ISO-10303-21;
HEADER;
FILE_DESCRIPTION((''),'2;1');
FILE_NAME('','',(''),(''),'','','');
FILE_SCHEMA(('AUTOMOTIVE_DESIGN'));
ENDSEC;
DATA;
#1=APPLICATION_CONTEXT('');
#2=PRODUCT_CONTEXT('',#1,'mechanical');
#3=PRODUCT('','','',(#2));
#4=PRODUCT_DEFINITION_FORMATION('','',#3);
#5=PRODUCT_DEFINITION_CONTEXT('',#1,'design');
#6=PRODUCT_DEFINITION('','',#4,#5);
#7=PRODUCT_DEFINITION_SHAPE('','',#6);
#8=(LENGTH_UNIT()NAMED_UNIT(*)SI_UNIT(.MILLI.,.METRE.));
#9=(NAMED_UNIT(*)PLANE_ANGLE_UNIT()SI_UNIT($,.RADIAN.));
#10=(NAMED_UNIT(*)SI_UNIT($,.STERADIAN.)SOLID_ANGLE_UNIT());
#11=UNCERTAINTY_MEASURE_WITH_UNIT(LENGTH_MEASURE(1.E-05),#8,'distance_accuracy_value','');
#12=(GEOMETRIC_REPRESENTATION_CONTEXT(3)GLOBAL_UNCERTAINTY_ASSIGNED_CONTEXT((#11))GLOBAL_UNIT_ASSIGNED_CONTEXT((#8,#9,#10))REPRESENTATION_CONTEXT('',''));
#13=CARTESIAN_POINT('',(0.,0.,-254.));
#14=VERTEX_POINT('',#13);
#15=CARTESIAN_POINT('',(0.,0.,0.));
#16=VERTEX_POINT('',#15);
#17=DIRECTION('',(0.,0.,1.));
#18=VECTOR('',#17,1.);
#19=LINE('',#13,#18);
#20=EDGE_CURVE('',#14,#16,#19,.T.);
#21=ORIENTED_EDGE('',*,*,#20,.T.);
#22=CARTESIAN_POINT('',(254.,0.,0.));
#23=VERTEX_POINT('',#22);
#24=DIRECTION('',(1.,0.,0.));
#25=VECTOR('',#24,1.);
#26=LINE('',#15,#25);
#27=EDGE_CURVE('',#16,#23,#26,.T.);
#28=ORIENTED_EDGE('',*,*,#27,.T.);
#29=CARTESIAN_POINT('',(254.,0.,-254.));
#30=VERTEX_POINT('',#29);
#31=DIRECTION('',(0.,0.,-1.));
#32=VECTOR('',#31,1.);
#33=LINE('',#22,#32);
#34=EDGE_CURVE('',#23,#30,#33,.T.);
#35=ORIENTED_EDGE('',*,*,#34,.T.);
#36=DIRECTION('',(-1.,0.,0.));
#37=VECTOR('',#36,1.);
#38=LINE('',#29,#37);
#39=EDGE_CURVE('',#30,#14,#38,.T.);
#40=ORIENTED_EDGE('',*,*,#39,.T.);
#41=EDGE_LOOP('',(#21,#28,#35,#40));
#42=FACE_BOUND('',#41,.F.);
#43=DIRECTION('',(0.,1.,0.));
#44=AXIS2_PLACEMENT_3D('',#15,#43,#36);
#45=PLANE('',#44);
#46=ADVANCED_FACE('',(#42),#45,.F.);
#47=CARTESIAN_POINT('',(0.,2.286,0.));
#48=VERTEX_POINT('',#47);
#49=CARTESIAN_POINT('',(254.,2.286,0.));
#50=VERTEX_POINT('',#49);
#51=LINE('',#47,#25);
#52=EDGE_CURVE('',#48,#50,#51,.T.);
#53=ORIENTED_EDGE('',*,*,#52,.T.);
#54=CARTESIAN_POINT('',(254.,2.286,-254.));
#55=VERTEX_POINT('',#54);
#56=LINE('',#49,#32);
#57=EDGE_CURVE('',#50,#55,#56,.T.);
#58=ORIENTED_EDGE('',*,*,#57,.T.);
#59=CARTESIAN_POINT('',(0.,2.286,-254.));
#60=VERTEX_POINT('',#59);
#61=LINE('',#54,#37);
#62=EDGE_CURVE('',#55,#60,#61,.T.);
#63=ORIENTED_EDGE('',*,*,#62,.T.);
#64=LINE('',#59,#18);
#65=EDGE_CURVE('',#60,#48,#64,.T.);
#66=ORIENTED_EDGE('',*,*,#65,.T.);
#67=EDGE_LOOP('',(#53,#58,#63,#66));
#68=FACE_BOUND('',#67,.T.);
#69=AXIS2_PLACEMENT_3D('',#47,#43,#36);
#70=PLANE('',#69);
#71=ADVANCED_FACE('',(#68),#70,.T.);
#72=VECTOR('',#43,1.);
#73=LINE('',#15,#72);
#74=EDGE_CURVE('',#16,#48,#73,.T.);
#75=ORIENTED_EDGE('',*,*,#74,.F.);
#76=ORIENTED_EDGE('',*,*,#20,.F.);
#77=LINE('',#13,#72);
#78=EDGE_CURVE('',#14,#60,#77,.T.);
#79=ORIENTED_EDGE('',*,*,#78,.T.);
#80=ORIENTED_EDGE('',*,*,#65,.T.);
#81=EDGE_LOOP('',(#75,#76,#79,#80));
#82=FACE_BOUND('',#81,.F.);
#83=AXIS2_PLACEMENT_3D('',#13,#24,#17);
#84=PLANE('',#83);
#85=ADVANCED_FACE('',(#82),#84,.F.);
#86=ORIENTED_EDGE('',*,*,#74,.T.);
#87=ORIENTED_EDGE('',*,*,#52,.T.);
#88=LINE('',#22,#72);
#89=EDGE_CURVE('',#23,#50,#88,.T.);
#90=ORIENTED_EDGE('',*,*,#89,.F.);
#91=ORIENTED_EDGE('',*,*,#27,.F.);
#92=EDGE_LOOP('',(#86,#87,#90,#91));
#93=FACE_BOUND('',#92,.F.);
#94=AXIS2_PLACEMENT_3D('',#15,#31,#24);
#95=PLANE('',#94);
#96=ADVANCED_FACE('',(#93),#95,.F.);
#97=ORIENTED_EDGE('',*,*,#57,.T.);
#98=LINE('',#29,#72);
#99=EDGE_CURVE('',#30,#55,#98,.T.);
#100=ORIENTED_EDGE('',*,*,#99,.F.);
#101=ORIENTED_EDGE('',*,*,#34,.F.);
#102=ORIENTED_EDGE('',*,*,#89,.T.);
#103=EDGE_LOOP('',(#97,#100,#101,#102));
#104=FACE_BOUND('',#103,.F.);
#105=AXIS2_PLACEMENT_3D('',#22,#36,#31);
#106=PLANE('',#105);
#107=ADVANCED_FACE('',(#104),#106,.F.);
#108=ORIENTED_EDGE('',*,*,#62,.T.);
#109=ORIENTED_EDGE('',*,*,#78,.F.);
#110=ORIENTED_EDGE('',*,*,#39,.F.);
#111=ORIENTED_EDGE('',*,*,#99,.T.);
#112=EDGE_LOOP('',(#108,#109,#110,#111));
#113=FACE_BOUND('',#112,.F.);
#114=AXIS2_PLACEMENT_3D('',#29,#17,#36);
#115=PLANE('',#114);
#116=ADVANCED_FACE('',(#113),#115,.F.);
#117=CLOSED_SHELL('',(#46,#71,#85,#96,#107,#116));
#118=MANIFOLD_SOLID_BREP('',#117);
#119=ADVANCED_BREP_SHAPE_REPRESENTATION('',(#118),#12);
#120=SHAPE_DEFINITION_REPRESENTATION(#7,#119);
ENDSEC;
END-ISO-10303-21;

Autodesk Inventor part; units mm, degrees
ref_plane "YZ Plane" through (0, 0, 0) normal (1, 0, 0) x (0, 1, 0)
ref_plane "XZ Plane" through (0, 0, 0) normal (0, 1, 0) x (-1, 0, 0)
ref_plane "XY Plane" through (0, 0, 0) normal (0, 0, 1) x (1, 0, 0)
sketch "Sketch1" plane through (0, 0, 0) normal (0, 1, 0) x (-1, 0, 0)
  line L0 (0, 0) -> (-254, 0)
  line L1 (-254, 0) -> (-254, -254)
  line L2 (-254, -254) -> (0, -254)
  line L3 (0, -254) -> (0, 0)
  dimension "d0" = 254
  dimension "d1" = 254
extrude "Extrusion1" add sketch "Sketch1" along normal blind 2.286
sketch "Sketch2" plane through (0, 2.286, 0) normal (0, 1, 0) x (1, 0, 0)
  line L0 (0, 0) -> (254, 0) projected
  line L1 (254, 0) -> (254, 254) projected
  line L2 (254, 254) -> (0, 254) projected
  line L3 (0, 254) -> (0, 0) projected
  point P0 (38.1, 4.7625)
  point P1 (215.9, 4.7625)
  point P2 (4.7625, 38.1)
  point P3 (4.7625, 215.9)
  point P4 (38.1, 249.2375)
  point P5 (215.9, 249.2375)
  point P6 (249.2375, 215.9)
  point P7 (249.2375, 38.1)
  dimension "d4" = 38.1
  dimension "d5" = 38.1
  dimension "d6" = 38.1
  dimension "d7" = 38.1
  dimension "d8" = 4.7625
  dimension "d9" = 4.7625
  dimension "d10" = 4.7625
  dimension "d11" = 4.7625
equation "\"d0\" = d1"
equation "\"d5\" = d4"
equation "\"d6\" = d5"
equation "\"d7\" = d6"
equation "\"d9\" = d8"
equation "\"d10\" = d9"
equation "\"d11\" = d8"
properties part number "XY Carriage"
